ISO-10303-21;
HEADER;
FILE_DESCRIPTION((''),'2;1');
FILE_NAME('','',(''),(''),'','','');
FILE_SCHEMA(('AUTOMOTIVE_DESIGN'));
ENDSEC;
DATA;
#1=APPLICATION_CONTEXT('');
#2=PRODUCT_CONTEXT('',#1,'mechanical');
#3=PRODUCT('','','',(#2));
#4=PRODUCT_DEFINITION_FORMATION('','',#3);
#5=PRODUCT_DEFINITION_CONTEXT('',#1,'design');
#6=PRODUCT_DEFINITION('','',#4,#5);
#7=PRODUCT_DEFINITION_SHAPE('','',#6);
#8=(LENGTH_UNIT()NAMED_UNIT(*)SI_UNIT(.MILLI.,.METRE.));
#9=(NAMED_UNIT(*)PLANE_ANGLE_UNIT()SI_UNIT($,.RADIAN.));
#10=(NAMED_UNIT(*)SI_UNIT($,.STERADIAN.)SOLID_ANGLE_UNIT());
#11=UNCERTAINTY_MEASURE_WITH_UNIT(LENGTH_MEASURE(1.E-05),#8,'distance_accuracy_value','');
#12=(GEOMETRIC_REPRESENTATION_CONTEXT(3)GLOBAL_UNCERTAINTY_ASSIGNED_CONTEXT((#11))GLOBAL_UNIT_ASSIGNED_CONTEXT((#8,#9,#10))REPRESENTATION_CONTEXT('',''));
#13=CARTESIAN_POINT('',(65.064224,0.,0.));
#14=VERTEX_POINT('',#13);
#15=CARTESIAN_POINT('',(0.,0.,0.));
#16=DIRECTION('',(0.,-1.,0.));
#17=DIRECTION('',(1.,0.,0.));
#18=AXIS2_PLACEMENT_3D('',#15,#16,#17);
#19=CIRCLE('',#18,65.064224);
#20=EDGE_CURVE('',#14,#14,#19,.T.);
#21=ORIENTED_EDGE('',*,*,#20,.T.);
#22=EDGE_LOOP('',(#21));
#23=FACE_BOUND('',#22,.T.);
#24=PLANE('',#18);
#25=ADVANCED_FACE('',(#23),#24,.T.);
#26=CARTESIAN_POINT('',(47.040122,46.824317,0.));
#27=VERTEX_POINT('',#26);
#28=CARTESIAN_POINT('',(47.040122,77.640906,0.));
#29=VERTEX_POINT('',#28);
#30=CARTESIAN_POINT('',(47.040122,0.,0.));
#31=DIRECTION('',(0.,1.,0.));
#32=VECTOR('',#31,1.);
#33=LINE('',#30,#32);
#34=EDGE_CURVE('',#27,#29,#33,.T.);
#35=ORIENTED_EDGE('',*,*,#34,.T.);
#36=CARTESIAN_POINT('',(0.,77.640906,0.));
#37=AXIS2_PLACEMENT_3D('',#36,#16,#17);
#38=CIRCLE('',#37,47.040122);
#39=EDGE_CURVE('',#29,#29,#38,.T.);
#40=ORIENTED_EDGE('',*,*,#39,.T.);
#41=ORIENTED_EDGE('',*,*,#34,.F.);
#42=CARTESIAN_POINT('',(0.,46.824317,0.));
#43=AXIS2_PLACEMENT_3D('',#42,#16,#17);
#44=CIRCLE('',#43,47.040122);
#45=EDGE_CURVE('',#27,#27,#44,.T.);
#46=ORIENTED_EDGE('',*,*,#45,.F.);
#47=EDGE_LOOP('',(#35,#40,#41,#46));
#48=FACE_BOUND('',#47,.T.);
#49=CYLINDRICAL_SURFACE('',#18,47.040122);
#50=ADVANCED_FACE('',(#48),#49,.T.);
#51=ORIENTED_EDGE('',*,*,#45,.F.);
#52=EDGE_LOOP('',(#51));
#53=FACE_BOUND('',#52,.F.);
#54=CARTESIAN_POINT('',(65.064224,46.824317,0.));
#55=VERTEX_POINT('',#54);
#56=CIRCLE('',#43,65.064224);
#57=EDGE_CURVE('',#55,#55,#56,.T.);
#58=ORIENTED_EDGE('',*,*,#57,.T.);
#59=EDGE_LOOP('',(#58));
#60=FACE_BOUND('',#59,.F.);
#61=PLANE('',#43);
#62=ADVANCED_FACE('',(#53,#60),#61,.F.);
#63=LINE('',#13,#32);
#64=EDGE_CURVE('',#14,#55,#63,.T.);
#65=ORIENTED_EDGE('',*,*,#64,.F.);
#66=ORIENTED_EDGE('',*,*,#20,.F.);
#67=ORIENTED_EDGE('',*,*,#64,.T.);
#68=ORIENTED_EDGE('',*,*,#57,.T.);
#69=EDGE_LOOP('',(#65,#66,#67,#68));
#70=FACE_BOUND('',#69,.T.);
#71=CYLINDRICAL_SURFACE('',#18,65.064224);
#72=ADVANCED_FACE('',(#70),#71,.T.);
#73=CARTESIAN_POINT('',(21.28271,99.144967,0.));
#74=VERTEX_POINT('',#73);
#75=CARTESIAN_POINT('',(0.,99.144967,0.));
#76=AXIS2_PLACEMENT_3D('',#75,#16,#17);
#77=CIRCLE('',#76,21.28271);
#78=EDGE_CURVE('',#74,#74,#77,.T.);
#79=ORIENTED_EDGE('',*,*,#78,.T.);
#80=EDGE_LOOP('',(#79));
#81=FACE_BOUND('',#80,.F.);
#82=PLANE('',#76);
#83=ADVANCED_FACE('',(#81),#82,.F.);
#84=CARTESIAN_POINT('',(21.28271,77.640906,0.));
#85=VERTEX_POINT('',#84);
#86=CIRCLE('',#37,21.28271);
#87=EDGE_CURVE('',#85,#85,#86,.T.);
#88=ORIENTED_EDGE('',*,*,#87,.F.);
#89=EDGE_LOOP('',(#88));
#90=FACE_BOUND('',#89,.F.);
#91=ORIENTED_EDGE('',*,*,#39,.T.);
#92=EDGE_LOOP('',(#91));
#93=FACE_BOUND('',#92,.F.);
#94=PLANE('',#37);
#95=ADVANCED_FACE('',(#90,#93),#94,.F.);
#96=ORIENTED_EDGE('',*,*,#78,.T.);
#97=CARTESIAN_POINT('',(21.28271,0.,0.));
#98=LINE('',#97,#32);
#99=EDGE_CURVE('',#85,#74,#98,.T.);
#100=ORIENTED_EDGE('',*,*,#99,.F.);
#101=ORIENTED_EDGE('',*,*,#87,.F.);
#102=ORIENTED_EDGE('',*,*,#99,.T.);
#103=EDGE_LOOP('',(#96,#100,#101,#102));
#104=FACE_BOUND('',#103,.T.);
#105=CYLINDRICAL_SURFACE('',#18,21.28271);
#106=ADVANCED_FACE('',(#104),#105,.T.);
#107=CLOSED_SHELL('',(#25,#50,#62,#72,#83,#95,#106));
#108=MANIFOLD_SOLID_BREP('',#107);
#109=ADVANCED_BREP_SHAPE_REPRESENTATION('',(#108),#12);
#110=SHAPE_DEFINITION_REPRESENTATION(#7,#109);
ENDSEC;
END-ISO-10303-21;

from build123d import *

# Parameters (mm, degrees)
F0_R     = 65.064224
F1_DEPTH = 46.824317
F2_R     = 47.040122
F3_DEPTH = 77.640906
F4_R     = 21.28271
F5_DEPTH = 99.144967


with BuildPart() as f1:
    # F0 (on Front) → F1 (new body)
    with BuildSketch(Plane.XZ):
        Circle(F0_R)
    extrude(amount=-F1_DEPTH)

    # F2 (on Front) → F3 (join)
    with BuildSketch(Plane.XZ):
        Circle(F2_R)
    extrude(amount=-F3_DEPTH)

    # F4 (on Front) → F5 (join)
    with BuildSketch(Plane.XZ):
        Circle(F4_R)
    extrude(amount=-F5_DEPTH)


solid = f1.part
